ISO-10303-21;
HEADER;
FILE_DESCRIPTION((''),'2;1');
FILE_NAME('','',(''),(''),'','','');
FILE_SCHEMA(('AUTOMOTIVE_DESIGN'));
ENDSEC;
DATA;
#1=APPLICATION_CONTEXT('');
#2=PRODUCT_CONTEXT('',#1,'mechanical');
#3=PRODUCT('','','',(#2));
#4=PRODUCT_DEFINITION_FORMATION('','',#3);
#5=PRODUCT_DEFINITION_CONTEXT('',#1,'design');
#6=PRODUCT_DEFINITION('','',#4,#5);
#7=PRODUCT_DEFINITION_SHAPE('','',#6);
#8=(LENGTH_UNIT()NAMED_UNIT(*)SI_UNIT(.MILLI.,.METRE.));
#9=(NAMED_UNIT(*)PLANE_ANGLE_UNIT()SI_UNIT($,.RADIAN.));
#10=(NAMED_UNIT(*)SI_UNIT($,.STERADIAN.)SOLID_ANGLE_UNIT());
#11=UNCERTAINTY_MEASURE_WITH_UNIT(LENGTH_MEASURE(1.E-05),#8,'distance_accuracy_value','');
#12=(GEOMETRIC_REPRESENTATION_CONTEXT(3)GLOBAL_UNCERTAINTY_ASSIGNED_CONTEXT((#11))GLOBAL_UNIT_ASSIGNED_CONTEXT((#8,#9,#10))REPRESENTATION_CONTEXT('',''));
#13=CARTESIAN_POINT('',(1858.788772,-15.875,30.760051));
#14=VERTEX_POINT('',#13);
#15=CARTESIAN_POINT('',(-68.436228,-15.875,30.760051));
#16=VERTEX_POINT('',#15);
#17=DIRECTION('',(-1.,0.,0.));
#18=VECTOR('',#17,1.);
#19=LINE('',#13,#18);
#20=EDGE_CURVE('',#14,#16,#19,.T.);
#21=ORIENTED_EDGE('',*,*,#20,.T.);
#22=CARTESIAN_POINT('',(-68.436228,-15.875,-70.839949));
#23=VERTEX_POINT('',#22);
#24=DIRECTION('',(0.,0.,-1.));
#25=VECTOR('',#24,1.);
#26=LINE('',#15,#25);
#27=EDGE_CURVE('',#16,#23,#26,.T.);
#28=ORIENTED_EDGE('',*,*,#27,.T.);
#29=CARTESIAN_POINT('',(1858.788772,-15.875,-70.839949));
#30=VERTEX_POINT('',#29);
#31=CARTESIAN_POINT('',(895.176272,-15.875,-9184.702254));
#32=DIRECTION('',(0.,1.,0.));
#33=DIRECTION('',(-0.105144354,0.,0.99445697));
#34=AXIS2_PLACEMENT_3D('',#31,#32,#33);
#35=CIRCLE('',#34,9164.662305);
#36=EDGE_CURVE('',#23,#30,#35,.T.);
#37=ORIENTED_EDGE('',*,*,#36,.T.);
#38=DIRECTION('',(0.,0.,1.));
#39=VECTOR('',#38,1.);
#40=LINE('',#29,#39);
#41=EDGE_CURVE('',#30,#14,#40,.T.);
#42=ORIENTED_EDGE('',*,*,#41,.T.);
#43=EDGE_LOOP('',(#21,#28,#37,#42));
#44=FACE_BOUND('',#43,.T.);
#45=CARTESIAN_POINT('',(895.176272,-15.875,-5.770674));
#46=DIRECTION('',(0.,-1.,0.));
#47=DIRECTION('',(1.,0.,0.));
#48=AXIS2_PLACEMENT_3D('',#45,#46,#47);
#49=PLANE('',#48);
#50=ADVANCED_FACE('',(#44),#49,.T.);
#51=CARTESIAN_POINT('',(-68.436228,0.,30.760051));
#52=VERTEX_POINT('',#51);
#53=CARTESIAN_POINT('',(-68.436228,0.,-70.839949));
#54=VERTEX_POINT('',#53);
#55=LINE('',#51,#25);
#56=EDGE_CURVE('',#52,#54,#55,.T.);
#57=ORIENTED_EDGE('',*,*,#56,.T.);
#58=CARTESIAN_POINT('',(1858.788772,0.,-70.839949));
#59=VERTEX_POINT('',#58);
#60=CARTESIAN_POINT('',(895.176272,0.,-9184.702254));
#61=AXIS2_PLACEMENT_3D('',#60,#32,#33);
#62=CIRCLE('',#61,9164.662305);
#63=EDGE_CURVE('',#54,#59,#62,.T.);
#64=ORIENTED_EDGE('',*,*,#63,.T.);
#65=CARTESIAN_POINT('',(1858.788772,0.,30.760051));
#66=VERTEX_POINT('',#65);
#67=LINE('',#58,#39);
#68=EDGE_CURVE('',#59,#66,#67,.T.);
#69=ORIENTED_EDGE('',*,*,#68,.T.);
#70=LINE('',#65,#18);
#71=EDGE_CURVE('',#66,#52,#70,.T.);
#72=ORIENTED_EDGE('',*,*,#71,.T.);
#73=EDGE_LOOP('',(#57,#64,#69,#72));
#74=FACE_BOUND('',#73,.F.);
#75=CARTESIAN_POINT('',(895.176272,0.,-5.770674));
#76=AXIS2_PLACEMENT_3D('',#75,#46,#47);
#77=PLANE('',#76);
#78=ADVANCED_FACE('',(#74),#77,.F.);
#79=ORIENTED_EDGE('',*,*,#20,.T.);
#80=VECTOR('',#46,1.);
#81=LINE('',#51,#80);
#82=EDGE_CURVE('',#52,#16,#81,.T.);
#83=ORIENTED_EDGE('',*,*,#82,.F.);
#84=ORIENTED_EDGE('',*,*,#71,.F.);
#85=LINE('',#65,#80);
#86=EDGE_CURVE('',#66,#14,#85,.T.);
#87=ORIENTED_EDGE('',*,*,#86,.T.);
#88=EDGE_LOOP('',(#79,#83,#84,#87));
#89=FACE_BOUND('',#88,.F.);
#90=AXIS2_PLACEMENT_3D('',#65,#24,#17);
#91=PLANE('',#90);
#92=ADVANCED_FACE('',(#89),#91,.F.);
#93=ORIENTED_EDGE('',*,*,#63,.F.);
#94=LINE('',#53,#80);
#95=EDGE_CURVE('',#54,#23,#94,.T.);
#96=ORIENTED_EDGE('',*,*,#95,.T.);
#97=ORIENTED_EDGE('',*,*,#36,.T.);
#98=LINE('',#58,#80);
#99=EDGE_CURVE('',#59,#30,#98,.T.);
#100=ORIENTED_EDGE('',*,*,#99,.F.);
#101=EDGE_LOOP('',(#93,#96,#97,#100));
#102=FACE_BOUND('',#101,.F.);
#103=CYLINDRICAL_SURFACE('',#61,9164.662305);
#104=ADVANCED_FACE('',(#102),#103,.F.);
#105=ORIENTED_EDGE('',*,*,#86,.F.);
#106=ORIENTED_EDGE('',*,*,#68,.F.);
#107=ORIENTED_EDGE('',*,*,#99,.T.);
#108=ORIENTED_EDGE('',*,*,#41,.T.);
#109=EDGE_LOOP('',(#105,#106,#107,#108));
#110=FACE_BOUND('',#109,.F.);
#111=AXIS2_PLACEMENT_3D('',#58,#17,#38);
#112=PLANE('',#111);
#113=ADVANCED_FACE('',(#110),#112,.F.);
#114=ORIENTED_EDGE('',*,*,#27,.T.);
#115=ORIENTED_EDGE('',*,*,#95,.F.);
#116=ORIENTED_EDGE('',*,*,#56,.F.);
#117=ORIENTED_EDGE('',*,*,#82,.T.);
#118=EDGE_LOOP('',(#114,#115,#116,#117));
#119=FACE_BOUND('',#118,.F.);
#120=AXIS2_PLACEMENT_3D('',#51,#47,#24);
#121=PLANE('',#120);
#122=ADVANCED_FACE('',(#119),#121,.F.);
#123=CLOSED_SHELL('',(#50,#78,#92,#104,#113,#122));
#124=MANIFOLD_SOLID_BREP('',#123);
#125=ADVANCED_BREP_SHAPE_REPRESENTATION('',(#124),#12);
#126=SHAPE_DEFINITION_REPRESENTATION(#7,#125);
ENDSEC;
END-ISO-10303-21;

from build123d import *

# Parameters (mm, degrees)
F1_DEPTH = 25.4
F4_DEPTH = 15.875


with BuildPart() as f1:
    # F0 (on Front) → F1 (new body)
    with BuildSketch(Plane.XZ):
        with BuildLine():
            Line((1863.8208496928, 32.7376453102), (-63.4041503072, 32.7376453102))
            Line((-63.4041503072, 32.7376453102), (-63.4041503072, -43.4623546898))
            ThreePointArc((-63.4041503072, -43.4623546898), (900.2083496928, 7.3376453102), (1863.8208496928, -43.4623546898))
            Line((1863.8208496928, -43.4623546898), (1863.8208496928, 32.7376453102))
        make_face()
    extrude(amount=F1_DEPTH)


with BuildPart() as f4:
    # F3 (on Front) → F4 (new body)
    with BuildSketch(Plane.XZ):
        with BuildLine():
            Line((1858.7887722611, 30.7600510478), (-68.4362277389, 30.7600510478))
            Line((-68.4362277389, 30.7600510478), (-68.4362277389, -70.8399489522))
            ThreePointArc((-68.4362277389, -70.8399489521), (895.1762722611, -20.0399489521), (1858.7887722611, -70.8399489521))
            Line((1858.7887722611, -70.8399489522), (1858.7887722611, 30.7600510478))
        make_face()
    extrude(amount=F4_DEPTH)


solid = f4.part
